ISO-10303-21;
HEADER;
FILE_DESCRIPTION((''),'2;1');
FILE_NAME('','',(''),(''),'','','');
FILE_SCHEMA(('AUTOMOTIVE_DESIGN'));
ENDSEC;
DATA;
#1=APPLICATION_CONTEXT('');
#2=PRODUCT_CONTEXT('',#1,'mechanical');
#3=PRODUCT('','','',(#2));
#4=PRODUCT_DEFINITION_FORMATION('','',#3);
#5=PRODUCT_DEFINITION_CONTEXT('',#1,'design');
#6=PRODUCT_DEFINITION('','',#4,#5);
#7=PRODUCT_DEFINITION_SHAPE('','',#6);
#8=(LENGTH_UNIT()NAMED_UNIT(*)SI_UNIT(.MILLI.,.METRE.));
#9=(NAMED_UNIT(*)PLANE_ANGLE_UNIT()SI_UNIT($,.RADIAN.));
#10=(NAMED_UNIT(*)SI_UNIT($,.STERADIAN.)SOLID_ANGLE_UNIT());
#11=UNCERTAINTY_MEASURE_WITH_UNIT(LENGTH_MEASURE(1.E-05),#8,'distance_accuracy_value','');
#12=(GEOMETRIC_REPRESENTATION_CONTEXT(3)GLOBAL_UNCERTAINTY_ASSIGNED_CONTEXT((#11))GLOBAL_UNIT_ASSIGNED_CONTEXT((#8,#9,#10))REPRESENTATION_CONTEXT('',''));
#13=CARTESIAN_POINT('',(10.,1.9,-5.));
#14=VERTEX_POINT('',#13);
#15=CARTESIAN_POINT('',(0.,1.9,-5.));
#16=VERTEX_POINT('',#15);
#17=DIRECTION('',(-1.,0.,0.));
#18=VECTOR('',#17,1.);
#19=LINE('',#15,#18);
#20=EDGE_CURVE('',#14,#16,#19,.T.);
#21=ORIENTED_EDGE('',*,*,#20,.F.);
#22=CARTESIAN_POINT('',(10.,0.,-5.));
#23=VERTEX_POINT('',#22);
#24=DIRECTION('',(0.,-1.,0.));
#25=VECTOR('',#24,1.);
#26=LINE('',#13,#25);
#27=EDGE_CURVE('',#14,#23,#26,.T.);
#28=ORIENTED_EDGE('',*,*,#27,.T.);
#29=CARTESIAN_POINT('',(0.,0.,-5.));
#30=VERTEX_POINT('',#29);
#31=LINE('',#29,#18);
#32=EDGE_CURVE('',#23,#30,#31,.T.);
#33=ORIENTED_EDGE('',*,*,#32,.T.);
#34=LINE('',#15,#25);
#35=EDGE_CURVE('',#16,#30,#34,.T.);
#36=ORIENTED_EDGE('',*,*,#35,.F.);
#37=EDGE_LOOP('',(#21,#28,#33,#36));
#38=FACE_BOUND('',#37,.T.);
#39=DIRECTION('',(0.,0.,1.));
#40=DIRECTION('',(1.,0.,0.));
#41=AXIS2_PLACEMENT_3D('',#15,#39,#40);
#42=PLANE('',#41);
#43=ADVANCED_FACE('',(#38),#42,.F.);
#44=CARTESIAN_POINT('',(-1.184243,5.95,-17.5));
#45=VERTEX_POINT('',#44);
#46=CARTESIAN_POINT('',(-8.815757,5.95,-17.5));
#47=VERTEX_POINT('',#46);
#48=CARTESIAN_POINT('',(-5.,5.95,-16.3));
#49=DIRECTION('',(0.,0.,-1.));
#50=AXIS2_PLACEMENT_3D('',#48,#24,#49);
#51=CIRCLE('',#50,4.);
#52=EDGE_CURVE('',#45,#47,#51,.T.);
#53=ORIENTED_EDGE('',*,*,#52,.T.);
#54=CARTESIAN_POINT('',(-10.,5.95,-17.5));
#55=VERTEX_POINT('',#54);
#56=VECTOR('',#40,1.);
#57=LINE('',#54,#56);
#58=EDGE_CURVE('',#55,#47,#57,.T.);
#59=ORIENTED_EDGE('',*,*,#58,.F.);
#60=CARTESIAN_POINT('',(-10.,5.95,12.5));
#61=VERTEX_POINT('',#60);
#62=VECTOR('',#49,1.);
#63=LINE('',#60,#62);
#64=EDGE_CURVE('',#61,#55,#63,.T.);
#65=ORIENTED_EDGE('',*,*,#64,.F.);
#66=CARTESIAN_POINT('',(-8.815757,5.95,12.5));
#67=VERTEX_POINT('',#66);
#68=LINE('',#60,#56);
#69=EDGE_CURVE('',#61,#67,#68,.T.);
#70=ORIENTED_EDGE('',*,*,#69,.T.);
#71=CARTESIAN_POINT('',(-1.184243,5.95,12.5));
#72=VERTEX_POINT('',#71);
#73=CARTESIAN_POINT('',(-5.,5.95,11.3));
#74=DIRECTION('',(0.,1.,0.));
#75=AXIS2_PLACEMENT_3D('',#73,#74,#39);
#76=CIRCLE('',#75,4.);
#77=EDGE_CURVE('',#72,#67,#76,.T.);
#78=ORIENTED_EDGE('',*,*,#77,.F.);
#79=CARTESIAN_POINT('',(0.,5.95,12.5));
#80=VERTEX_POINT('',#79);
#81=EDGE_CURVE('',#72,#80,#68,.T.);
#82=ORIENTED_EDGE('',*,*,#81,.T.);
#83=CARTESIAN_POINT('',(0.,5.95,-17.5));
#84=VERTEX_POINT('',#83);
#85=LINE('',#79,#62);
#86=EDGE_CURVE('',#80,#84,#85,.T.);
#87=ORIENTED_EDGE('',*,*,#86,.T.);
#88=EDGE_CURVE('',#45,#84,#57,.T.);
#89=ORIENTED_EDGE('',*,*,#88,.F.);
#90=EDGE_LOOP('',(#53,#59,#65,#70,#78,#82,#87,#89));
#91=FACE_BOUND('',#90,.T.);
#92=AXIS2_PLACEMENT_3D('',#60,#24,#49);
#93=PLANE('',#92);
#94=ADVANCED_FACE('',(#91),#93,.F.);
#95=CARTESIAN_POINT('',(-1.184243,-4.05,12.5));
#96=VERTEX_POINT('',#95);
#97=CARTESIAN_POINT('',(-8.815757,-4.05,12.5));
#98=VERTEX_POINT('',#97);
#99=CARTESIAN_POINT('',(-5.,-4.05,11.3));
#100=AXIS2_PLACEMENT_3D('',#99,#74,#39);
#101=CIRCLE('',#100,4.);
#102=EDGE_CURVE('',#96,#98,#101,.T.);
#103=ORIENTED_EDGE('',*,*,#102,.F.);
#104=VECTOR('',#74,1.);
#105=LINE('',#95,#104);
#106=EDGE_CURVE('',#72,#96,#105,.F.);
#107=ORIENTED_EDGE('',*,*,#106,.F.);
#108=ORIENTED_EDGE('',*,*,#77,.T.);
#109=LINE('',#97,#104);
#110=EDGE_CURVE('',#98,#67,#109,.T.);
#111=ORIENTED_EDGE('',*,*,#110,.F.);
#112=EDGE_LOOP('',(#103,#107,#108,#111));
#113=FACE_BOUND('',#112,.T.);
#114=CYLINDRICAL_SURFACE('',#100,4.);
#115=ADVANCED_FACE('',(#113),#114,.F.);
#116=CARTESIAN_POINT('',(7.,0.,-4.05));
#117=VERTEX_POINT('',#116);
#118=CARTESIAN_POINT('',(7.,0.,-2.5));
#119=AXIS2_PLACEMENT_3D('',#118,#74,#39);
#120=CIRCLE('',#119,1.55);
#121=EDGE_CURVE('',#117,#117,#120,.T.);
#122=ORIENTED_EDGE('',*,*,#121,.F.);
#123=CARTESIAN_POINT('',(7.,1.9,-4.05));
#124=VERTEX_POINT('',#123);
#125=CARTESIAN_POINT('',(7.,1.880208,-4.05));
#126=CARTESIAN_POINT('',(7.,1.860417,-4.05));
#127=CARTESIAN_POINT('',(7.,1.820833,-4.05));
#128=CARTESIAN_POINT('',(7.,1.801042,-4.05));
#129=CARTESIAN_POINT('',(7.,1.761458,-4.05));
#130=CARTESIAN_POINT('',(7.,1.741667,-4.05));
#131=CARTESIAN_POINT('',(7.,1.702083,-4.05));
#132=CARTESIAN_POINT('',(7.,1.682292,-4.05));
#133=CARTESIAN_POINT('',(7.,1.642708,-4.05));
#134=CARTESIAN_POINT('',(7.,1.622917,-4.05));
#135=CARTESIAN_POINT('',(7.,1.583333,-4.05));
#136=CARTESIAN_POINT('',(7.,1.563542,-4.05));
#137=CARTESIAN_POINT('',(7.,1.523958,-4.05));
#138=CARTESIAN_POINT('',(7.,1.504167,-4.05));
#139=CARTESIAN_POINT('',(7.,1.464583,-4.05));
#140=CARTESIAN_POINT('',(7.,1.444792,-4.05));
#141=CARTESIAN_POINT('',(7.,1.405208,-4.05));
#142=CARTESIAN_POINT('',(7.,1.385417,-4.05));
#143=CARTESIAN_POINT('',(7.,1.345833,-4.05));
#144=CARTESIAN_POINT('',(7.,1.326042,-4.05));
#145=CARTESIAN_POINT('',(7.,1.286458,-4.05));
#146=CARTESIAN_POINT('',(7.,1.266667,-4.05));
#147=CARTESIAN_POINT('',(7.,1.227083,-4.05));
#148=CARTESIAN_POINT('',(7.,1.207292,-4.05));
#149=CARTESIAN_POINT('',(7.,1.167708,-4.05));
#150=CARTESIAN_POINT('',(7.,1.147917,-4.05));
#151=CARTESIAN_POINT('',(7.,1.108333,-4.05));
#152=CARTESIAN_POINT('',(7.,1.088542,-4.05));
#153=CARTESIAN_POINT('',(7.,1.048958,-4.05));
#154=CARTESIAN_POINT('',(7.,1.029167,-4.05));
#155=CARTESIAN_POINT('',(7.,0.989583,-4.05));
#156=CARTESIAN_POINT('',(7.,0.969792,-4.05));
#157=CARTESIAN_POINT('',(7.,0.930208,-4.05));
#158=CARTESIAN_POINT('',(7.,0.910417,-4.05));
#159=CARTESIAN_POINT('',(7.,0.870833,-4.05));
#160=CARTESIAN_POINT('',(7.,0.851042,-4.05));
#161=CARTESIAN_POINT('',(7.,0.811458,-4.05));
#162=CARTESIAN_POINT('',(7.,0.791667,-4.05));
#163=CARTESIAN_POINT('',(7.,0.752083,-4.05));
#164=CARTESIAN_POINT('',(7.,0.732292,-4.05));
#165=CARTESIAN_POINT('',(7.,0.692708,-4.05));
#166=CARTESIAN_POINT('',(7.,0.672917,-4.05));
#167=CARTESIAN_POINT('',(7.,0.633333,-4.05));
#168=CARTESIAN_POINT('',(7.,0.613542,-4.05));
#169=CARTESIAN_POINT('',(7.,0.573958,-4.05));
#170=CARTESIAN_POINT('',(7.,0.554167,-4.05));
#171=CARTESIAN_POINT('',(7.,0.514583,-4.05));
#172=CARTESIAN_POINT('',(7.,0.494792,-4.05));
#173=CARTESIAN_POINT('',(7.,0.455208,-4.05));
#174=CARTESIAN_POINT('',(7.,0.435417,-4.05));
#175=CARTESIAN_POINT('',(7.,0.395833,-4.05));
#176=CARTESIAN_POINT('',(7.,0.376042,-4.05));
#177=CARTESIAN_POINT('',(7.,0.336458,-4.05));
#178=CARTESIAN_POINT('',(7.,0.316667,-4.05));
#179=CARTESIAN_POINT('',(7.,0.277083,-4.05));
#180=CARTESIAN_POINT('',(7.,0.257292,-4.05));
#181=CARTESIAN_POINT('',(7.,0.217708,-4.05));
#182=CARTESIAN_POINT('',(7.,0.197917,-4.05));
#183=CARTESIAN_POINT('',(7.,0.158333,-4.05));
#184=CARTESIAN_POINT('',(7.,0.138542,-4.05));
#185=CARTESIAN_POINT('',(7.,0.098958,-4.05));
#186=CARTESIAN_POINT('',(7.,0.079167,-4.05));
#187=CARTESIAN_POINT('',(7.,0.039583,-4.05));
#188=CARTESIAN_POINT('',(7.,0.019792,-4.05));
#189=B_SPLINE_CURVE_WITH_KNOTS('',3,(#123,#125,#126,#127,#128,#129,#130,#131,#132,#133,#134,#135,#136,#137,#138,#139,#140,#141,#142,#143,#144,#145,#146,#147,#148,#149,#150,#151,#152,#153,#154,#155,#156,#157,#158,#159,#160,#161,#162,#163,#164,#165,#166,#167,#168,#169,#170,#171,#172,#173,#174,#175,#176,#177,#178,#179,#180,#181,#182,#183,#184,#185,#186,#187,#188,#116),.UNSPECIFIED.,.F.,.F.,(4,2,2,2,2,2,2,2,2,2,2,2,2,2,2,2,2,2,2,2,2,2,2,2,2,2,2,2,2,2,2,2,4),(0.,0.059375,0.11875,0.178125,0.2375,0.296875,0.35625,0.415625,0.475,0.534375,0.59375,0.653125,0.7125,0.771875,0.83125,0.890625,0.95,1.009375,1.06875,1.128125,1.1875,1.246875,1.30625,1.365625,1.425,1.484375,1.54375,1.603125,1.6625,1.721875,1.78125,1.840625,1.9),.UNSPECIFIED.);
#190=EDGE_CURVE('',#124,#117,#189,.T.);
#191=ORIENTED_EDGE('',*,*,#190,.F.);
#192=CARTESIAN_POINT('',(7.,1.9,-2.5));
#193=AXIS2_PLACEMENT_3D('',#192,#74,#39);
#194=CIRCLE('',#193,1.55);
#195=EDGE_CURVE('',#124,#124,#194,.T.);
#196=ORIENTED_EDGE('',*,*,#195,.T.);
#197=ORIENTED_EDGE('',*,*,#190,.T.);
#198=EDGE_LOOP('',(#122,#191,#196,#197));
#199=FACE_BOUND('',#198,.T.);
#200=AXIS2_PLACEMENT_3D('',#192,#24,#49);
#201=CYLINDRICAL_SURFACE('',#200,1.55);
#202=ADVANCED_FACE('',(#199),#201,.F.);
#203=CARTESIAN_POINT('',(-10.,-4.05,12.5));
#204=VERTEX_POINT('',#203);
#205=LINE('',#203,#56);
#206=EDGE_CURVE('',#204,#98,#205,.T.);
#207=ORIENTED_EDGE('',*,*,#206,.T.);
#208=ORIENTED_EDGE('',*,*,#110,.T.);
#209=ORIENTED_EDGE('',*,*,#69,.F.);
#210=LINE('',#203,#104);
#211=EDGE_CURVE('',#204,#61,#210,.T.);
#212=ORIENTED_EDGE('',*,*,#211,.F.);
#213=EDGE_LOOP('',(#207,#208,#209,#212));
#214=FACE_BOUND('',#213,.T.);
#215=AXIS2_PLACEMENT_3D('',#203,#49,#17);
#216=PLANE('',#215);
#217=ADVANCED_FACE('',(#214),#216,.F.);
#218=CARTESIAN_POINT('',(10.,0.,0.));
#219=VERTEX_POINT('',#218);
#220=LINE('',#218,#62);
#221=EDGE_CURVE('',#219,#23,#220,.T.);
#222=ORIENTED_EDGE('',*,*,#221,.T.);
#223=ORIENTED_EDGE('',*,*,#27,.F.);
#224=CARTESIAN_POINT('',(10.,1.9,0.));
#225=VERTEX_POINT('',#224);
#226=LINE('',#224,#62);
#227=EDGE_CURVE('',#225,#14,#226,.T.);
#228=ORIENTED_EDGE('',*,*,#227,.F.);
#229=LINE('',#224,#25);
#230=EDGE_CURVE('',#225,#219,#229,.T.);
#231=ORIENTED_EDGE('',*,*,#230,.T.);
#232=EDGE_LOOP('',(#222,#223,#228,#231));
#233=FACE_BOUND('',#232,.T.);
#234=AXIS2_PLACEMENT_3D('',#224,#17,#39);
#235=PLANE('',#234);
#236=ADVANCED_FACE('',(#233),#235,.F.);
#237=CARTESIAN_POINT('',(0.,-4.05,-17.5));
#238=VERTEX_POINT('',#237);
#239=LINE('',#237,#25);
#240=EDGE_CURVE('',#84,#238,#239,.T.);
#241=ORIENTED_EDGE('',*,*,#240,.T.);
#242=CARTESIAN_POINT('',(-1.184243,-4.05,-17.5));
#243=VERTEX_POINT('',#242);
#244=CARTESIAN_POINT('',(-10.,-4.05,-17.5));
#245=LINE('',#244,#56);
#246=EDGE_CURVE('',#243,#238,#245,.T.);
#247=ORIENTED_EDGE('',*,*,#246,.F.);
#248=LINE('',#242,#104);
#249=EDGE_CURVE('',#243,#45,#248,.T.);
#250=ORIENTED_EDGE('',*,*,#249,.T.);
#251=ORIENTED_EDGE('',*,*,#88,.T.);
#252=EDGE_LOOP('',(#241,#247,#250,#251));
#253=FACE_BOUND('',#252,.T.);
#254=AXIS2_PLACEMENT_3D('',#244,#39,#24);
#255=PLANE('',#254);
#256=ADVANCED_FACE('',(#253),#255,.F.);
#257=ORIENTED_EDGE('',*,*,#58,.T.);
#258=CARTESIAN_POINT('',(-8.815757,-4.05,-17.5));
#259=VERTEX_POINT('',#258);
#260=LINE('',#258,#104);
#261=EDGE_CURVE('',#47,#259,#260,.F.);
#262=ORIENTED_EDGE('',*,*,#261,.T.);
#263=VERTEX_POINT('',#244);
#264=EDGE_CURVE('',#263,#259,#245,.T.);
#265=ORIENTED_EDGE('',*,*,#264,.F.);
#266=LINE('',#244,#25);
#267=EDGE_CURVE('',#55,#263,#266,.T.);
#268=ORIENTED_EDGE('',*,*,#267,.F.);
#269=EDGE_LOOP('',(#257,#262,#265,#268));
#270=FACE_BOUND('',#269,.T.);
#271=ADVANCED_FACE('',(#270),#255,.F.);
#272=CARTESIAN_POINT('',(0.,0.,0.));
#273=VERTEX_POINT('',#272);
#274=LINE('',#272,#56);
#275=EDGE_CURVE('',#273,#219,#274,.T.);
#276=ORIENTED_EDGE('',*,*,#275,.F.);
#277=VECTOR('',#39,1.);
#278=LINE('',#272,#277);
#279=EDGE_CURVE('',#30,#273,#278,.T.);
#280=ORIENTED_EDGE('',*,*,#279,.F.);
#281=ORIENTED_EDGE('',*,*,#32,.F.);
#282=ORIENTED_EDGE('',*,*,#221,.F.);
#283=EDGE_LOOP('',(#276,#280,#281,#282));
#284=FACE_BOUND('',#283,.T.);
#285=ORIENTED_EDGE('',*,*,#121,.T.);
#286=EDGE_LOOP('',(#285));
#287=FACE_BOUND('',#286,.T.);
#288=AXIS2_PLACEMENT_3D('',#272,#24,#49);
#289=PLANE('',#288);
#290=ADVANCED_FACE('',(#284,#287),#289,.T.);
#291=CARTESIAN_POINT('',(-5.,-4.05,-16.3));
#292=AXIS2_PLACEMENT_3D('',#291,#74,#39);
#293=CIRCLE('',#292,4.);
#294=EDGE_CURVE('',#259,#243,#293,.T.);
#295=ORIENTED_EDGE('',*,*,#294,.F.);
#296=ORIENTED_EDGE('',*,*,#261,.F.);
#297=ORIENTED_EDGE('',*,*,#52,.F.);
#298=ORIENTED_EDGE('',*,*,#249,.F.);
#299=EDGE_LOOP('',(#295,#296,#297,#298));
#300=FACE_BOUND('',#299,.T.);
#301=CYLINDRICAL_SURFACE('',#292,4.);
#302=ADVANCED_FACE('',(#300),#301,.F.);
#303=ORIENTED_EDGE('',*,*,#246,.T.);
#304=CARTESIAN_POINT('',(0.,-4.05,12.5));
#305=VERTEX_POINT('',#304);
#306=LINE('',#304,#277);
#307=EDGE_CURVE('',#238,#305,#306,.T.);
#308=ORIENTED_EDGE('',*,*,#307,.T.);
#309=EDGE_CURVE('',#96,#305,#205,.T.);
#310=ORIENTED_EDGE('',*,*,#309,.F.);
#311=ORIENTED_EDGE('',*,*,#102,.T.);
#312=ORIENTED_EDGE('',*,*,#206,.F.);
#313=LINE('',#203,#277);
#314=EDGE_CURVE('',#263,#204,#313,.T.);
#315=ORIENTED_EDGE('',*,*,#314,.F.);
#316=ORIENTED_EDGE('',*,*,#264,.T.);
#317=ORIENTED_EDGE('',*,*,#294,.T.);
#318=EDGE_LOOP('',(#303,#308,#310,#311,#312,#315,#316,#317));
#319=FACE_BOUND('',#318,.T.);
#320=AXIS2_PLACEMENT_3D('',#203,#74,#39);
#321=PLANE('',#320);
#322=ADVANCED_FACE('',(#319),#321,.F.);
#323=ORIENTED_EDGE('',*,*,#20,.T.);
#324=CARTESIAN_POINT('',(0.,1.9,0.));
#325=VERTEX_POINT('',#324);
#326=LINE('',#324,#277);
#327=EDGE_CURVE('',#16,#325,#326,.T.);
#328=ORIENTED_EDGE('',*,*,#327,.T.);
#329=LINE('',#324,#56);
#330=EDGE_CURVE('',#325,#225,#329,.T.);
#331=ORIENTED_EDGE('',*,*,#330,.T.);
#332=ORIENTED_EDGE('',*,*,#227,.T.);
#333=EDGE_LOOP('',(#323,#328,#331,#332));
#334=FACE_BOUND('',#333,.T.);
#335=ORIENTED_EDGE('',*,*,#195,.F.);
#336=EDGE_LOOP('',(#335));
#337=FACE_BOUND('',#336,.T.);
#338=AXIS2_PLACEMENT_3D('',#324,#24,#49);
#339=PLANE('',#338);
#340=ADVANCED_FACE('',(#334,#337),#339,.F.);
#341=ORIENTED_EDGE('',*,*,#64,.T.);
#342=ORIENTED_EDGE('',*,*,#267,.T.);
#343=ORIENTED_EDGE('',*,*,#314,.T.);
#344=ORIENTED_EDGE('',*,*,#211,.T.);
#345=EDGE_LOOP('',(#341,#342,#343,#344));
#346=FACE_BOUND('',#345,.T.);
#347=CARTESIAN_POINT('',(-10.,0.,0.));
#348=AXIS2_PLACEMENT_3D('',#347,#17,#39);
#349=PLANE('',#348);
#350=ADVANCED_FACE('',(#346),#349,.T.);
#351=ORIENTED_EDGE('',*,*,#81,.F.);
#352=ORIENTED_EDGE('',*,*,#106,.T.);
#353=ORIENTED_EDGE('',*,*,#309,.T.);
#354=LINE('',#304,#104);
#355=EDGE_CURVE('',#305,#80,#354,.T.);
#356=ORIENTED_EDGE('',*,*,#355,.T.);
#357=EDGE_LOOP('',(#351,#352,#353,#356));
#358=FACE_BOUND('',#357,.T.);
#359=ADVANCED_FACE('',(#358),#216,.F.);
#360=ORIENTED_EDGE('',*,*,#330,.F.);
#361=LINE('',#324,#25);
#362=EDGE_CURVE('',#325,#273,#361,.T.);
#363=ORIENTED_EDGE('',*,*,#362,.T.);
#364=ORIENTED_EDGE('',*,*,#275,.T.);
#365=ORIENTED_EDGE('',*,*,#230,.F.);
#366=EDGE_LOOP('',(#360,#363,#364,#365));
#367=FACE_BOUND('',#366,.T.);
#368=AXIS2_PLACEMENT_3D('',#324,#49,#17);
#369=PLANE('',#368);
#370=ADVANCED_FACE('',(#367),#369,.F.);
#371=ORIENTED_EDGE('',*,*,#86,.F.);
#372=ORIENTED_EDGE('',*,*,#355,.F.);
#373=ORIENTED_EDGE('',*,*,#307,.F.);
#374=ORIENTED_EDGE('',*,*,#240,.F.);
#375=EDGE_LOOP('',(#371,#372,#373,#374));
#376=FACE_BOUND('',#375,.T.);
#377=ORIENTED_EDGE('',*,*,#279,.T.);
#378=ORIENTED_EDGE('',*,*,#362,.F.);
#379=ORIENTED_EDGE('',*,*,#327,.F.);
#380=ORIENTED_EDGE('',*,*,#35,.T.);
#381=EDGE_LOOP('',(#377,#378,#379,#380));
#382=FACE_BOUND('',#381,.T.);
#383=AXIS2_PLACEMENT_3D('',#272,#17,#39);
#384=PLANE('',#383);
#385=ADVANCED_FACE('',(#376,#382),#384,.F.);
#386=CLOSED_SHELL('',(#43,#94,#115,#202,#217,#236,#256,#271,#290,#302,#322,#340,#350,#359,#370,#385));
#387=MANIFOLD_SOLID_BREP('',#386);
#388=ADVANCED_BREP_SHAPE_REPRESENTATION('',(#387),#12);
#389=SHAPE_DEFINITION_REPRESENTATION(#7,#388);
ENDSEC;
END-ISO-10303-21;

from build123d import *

# Parameters (mm, degrees)
SKETCH_1_W          = 10
SKETCH_1_H          = 5
SKETCH_1_R          = 1.55
EXTRUDE_1_DEPTH     = 1.9
SKETCH_2_W          = 30
SKETCH_2_H          = 10
EXTRUDE_2_DEPTH     = 10
SKETCH_3_R          = 4
CUT_EXTRUDE_1_DEPTH = 10


with BuildPart() as part:
    # 草图1 → 凸台-拉伸1 (new body)
    with BuildSketch(Plane(origin=(0, 0, 0), x_dir=(1, 0, 0), z_dir=(0, 1, 0))):
        with Locations((5, 2.5)):
            Rectangle(SKETCH_1_W, SKETCH_1_H)
        with Locations(Location((7, 2.5, 0), (0, 0, 90))):
            Circle(SKETCH_1_R, mode=Mode.SUBTRACT)
    extrude(amount=EXTRUDE_1_DEPTH)

    # 草图2 → 凸台-拉伸2 (add)
    with BuildSketch(Plane.ZY):
        with Locations((-2.5, 0.95)):
            Rectangle(SKETCH_2_W, SKETCH_2_H)
    extrude(amount=EXTRUDE_2_DEPTH)

    # 草图3 → 切除-拉伸1 (cut)
    with BuildSketch(Plane(origin=(0, 5.95, 0), x_dir=(1, 0, 0), z_dir=(0, 1, 0))):
        with Locations((-5, 16.3)):
            Circle(SKETCH_3_R)
        with Locations((-5, -11.3)):
            Circle(SKETCH_3_R)
    extrude(amount=-CUT_EXTRUDE_1_DEPTH, mode=Mode.SUBTRACT)


solid = part.part
